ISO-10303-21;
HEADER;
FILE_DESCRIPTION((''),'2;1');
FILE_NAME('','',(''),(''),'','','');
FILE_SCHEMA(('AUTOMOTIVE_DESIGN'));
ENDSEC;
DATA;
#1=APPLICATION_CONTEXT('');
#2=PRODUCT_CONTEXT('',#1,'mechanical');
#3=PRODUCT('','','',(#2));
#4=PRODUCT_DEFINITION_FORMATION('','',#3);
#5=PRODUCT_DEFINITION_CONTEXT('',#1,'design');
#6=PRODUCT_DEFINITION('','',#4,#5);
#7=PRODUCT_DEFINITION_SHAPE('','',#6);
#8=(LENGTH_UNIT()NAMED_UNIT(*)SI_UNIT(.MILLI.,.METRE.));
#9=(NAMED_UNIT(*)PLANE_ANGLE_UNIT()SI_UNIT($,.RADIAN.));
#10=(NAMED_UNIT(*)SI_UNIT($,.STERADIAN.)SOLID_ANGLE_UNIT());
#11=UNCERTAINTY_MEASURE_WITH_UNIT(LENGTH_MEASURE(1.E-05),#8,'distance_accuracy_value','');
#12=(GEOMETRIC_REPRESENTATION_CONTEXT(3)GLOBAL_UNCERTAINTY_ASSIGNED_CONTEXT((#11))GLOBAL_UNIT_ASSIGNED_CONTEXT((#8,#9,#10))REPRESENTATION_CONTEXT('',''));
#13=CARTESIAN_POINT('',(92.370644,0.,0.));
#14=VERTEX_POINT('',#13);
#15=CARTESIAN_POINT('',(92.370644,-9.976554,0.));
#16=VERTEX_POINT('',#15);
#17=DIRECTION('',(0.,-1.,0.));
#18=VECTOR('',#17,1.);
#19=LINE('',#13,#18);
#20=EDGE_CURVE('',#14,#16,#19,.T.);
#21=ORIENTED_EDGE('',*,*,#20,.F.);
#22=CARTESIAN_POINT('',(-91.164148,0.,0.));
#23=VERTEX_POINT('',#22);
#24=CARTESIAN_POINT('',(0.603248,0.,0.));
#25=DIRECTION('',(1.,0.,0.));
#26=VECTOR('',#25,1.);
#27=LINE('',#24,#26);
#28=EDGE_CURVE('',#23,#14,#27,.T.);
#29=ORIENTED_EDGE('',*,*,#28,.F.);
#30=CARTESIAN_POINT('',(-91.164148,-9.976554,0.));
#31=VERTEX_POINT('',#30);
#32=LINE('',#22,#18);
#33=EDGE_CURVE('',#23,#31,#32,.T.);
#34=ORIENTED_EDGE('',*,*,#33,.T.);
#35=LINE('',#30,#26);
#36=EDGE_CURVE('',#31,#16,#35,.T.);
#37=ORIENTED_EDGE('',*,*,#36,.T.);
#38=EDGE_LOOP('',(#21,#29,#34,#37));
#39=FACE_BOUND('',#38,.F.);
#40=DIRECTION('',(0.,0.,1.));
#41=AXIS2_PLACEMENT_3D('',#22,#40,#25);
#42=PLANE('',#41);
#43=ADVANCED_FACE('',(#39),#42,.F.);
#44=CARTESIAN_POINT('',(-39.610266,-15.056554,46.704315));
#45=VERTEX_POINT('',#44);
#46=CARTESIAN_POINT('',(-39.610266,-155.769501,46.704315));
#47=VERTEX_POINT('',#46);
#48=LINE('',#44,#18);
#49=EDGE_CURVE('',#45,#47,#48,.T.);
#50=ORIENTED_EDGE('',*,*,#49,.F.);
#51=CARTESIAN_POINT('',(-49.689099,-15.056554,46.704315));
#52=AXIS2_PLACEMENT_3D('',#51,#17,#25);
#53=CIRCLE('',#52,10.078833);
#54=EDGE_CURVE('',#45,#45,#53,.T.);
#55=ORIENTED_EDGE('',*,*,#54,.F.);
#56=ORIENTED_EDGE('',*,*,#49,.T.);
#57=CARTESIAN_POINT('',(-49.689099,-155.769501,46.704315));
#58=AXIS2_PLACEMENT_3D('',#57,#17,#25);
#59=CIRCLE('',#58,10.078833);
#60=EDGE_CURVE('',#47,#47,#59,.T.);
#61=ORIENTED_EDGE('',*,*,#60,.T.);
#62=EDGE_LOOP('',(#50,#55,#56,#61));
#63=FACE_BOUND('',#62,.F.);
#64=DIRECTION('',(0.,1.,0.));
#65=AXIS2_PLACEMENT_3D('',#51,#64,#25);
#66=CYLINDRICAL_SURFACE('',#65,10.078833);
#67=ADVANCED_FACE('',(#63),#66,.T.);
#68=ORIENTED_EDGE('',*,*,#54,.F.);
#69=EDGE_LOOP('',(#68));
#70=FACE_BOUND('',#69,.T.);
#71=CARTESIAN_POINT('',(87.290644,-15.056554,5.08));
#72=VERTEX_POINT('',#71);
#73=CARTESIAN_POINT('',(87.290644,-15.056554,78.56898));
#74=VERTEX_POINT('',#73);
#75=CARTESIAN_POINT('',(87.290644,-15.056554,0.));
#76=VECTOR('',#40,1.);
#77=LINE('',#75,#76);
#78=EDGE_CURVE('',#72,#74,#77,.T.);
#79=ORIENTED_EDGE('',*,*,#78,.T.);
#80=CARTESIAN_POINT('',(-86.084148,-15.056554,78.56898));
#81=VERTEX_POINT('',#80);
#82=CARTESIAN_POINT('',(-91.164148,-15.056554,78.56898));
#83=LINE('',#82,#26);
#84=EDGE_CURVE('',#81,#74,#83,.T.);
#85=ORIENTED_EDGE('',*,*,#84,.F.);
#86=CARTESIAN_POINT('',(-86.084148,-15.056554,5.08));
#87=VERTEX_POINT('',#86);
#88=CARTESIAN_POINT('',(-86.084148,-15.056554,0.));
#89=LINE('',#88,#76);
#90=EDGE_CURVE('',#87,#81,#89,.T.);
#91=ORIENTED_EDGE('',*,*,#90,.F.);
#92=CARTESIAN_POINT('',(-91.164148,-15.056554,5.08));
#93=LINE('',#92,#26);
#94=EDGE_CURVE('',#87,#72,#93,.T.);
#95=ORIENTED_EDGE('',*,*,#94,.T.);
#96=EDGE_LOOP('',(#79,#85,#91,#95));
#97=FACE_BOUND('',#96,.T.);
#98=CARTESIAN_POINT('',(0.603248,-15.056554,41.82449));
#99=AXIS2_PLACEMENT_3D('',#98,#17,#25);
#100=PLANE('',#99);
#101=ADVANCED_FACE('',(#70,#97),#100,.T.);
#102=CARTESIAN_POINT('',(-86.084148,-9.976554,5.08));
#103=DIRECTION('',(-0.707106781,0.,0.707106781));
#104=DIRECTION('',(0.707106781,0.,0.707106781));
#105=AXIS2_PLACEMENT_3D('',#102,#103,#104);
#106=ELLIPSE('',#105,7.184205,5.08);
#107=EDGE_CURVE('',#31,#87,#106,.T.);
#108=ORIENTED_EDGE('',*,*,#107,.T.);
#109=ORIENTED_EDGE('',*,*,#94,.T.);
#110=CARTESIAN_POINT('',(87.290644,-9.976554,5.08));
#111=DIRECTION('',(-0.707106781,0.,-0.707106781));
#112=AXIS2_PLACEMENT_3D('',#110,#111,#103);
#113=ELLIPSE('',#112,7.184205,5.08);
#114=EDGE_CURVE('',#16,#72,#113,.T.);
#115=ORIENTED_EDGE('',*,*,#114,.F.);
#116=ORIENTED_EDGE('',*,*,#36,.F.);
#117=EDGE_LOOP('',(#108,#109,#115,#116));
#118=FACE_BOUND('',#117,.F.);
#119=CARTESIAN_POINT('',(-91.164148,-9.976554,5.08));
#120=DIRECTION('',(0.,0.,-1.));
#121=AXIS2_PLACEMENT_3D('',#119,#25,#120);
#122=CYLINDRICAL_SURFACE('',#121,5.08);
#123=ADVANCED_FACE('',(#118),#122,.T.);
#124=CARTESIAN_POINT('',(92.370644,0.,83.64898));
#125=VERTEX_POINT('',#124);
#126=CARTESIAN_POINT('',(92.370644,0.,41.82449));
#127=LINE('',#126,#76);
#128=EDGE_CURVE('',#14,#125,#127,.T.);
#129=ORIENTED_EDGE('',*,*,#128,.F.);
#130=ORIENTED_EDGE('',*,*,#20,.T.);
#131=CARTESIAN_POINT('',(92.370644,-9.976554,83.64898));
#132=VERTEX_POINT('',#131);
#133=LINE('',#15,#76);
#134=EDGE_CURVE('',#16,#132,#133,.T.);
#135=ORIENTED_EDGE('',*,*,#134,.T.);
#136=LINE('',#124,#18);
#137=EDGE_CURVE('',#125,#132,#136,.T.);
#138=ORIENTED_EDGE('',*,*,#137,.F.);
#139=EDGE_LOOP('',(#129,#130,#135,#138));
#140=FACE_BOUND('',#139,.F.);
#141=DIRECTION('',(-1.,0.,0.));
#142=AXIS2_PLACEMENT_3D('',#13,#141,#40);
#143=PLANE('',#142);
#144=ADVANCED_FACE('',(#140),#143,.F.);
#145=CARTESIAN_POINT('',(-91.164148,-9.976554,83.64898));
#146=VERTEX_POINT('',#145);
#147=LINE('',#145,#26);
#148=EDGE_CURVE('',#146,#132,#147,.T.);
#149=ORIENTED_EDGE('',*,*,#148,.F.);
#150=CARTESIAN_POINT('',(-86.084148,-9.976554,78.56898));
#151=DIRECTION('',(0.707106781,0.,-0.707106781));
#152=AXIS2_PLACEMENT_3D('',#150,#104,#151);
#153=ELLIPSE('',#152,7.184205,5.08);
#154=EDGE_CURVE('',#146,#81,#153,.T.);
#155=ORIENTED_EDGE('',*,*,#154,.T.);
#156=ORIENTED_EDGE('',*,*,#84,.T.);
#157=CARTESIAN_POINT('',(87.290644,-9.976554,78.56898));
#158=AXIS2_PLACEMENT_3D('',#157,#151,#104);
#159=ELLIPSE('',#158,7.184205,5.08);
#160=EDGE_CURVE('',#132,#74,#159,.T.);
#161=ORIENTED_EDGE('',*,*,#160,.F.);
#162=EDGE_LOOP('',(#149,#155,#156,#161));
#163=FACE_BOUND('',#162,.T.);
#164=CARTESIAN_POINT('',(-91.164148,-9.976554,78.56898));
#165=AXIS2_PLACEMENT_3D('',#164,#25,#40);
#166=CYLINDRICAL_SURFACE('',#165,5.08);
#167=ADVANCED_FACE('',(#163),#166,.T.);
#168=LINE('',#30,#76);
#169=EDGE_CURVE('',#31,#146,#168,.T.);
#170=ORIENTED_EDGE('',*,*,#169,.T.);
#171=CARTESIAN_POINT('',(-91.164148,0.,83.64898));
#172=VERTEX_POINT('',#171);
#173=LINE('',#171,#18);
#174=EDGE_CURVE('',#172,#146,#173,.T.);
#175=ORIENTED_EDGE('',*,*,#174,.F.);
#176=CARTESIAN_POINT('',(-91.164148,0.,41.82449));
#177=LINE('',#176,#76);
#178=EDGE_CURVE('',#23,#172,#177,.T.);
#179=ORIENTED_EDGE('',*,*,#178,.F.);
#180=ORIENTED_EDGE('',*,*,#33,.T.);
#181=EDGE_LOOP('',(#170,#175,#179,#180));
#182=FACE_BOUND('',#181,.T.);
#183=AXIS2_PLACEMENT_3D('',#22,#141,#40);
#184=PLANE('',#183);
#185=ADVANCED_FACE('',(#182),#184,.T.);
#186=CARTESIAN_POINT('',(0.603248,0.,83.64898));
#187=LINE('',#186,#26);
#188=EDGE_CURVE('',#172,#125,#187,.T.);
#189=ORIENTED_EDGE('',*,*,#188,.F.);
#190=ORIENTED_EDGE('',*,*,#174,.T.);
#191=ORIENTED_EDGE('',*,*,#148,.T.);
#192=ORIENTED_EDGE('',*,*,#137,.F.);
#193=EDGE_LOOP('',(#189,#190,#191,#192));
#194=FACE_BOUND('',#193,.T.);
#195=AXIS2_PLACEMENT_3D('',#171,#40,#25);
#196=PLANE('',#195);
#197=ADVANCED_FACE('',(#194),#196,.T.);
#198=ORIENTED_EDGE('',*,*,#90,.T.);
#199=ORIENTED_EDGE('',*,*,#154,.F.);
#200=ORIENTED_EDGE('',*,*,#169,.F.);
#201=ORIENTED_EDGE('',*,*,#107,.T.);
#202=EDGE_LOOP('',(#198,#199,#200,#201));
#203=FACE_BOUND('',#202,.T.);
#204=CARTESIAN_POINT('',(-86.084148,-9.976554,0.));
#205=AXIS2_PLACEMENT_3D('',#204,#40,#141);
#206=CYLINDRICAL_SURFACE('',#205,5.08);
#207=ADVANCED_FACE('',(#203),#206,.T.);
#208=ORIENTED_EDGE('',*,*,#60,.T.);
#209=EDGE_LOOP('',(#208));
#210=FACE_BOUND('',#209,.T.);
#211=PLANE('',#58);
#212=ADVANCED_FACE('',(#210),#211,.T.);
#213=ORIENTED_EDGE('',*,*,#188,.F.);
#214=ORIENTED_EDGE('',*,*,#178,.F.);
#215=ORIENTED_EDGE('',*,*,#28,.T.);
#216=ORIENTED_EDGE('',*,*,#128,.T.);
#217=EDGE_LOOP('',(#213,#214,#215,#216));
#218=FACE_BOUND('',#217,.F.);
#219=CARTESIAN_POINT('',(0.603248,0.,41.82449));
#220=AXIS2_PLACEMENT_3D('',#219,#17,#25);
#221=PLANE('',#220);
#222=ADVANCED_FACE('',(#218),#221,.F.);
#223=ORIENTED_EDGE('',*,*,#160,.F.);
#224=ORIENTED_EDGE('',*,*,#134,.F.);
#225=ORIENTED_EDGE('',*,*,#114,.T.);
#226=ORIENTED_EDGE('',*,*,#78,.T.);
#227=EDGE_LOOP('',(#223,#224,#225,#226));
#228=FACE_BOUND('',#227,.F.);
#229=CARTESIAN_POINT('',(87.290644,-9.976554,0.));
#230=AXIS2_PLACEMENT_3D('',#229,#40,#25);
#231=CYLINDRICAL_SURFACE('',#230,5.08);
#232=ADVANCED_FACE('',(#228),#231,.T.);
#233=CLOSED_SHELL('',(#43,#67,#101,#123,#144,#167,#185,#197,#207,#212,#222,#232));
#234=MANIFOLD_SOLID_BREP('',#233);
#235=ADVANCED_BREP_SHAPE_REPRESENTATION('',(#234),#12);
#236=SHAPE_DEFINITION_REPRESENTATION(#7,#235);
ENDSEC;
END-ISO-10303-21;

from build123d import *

# Parameters (mm, degrees)
F0_W     = 183.534793
F0_H     = 83.64898
F1_DEPTH = 15.056554
F2_R     = 5.08
F3_R     = 10.078833
F4_DEPTH = 140.712947


with BuildPart() as f1:
    # F0 (on Front) → F1 (new body)
    with BuildSketch(Plane.XZ):
        with Locations((0.603248, 41.82449)):
            Rectangle(F0_W, F0_H)
    extrude(amount=F1_DEPTH)

    # F2
    f2_edges = [f1.edges().sort_by_distance(p)[0] for p in [
        (0.603247, -15.056554, 83.64898),
        (-91.164149, -15.056554, 41.82449),
        (92.370644, -15.056554, 41.82449),
        (0.603247, -15.056554, 0),
    ]]
    fillet(f2_edges, radius=F2_R)

    # F3 (on face) → F4 (join)
    with BuildSketch(Plane.XZ.offset(15.056554)):
        with Locations((-49.689099, 46.704315)):
            Circle(F3_R)
    extrude(amount=F4_DEPTH)


solid = f1.part
